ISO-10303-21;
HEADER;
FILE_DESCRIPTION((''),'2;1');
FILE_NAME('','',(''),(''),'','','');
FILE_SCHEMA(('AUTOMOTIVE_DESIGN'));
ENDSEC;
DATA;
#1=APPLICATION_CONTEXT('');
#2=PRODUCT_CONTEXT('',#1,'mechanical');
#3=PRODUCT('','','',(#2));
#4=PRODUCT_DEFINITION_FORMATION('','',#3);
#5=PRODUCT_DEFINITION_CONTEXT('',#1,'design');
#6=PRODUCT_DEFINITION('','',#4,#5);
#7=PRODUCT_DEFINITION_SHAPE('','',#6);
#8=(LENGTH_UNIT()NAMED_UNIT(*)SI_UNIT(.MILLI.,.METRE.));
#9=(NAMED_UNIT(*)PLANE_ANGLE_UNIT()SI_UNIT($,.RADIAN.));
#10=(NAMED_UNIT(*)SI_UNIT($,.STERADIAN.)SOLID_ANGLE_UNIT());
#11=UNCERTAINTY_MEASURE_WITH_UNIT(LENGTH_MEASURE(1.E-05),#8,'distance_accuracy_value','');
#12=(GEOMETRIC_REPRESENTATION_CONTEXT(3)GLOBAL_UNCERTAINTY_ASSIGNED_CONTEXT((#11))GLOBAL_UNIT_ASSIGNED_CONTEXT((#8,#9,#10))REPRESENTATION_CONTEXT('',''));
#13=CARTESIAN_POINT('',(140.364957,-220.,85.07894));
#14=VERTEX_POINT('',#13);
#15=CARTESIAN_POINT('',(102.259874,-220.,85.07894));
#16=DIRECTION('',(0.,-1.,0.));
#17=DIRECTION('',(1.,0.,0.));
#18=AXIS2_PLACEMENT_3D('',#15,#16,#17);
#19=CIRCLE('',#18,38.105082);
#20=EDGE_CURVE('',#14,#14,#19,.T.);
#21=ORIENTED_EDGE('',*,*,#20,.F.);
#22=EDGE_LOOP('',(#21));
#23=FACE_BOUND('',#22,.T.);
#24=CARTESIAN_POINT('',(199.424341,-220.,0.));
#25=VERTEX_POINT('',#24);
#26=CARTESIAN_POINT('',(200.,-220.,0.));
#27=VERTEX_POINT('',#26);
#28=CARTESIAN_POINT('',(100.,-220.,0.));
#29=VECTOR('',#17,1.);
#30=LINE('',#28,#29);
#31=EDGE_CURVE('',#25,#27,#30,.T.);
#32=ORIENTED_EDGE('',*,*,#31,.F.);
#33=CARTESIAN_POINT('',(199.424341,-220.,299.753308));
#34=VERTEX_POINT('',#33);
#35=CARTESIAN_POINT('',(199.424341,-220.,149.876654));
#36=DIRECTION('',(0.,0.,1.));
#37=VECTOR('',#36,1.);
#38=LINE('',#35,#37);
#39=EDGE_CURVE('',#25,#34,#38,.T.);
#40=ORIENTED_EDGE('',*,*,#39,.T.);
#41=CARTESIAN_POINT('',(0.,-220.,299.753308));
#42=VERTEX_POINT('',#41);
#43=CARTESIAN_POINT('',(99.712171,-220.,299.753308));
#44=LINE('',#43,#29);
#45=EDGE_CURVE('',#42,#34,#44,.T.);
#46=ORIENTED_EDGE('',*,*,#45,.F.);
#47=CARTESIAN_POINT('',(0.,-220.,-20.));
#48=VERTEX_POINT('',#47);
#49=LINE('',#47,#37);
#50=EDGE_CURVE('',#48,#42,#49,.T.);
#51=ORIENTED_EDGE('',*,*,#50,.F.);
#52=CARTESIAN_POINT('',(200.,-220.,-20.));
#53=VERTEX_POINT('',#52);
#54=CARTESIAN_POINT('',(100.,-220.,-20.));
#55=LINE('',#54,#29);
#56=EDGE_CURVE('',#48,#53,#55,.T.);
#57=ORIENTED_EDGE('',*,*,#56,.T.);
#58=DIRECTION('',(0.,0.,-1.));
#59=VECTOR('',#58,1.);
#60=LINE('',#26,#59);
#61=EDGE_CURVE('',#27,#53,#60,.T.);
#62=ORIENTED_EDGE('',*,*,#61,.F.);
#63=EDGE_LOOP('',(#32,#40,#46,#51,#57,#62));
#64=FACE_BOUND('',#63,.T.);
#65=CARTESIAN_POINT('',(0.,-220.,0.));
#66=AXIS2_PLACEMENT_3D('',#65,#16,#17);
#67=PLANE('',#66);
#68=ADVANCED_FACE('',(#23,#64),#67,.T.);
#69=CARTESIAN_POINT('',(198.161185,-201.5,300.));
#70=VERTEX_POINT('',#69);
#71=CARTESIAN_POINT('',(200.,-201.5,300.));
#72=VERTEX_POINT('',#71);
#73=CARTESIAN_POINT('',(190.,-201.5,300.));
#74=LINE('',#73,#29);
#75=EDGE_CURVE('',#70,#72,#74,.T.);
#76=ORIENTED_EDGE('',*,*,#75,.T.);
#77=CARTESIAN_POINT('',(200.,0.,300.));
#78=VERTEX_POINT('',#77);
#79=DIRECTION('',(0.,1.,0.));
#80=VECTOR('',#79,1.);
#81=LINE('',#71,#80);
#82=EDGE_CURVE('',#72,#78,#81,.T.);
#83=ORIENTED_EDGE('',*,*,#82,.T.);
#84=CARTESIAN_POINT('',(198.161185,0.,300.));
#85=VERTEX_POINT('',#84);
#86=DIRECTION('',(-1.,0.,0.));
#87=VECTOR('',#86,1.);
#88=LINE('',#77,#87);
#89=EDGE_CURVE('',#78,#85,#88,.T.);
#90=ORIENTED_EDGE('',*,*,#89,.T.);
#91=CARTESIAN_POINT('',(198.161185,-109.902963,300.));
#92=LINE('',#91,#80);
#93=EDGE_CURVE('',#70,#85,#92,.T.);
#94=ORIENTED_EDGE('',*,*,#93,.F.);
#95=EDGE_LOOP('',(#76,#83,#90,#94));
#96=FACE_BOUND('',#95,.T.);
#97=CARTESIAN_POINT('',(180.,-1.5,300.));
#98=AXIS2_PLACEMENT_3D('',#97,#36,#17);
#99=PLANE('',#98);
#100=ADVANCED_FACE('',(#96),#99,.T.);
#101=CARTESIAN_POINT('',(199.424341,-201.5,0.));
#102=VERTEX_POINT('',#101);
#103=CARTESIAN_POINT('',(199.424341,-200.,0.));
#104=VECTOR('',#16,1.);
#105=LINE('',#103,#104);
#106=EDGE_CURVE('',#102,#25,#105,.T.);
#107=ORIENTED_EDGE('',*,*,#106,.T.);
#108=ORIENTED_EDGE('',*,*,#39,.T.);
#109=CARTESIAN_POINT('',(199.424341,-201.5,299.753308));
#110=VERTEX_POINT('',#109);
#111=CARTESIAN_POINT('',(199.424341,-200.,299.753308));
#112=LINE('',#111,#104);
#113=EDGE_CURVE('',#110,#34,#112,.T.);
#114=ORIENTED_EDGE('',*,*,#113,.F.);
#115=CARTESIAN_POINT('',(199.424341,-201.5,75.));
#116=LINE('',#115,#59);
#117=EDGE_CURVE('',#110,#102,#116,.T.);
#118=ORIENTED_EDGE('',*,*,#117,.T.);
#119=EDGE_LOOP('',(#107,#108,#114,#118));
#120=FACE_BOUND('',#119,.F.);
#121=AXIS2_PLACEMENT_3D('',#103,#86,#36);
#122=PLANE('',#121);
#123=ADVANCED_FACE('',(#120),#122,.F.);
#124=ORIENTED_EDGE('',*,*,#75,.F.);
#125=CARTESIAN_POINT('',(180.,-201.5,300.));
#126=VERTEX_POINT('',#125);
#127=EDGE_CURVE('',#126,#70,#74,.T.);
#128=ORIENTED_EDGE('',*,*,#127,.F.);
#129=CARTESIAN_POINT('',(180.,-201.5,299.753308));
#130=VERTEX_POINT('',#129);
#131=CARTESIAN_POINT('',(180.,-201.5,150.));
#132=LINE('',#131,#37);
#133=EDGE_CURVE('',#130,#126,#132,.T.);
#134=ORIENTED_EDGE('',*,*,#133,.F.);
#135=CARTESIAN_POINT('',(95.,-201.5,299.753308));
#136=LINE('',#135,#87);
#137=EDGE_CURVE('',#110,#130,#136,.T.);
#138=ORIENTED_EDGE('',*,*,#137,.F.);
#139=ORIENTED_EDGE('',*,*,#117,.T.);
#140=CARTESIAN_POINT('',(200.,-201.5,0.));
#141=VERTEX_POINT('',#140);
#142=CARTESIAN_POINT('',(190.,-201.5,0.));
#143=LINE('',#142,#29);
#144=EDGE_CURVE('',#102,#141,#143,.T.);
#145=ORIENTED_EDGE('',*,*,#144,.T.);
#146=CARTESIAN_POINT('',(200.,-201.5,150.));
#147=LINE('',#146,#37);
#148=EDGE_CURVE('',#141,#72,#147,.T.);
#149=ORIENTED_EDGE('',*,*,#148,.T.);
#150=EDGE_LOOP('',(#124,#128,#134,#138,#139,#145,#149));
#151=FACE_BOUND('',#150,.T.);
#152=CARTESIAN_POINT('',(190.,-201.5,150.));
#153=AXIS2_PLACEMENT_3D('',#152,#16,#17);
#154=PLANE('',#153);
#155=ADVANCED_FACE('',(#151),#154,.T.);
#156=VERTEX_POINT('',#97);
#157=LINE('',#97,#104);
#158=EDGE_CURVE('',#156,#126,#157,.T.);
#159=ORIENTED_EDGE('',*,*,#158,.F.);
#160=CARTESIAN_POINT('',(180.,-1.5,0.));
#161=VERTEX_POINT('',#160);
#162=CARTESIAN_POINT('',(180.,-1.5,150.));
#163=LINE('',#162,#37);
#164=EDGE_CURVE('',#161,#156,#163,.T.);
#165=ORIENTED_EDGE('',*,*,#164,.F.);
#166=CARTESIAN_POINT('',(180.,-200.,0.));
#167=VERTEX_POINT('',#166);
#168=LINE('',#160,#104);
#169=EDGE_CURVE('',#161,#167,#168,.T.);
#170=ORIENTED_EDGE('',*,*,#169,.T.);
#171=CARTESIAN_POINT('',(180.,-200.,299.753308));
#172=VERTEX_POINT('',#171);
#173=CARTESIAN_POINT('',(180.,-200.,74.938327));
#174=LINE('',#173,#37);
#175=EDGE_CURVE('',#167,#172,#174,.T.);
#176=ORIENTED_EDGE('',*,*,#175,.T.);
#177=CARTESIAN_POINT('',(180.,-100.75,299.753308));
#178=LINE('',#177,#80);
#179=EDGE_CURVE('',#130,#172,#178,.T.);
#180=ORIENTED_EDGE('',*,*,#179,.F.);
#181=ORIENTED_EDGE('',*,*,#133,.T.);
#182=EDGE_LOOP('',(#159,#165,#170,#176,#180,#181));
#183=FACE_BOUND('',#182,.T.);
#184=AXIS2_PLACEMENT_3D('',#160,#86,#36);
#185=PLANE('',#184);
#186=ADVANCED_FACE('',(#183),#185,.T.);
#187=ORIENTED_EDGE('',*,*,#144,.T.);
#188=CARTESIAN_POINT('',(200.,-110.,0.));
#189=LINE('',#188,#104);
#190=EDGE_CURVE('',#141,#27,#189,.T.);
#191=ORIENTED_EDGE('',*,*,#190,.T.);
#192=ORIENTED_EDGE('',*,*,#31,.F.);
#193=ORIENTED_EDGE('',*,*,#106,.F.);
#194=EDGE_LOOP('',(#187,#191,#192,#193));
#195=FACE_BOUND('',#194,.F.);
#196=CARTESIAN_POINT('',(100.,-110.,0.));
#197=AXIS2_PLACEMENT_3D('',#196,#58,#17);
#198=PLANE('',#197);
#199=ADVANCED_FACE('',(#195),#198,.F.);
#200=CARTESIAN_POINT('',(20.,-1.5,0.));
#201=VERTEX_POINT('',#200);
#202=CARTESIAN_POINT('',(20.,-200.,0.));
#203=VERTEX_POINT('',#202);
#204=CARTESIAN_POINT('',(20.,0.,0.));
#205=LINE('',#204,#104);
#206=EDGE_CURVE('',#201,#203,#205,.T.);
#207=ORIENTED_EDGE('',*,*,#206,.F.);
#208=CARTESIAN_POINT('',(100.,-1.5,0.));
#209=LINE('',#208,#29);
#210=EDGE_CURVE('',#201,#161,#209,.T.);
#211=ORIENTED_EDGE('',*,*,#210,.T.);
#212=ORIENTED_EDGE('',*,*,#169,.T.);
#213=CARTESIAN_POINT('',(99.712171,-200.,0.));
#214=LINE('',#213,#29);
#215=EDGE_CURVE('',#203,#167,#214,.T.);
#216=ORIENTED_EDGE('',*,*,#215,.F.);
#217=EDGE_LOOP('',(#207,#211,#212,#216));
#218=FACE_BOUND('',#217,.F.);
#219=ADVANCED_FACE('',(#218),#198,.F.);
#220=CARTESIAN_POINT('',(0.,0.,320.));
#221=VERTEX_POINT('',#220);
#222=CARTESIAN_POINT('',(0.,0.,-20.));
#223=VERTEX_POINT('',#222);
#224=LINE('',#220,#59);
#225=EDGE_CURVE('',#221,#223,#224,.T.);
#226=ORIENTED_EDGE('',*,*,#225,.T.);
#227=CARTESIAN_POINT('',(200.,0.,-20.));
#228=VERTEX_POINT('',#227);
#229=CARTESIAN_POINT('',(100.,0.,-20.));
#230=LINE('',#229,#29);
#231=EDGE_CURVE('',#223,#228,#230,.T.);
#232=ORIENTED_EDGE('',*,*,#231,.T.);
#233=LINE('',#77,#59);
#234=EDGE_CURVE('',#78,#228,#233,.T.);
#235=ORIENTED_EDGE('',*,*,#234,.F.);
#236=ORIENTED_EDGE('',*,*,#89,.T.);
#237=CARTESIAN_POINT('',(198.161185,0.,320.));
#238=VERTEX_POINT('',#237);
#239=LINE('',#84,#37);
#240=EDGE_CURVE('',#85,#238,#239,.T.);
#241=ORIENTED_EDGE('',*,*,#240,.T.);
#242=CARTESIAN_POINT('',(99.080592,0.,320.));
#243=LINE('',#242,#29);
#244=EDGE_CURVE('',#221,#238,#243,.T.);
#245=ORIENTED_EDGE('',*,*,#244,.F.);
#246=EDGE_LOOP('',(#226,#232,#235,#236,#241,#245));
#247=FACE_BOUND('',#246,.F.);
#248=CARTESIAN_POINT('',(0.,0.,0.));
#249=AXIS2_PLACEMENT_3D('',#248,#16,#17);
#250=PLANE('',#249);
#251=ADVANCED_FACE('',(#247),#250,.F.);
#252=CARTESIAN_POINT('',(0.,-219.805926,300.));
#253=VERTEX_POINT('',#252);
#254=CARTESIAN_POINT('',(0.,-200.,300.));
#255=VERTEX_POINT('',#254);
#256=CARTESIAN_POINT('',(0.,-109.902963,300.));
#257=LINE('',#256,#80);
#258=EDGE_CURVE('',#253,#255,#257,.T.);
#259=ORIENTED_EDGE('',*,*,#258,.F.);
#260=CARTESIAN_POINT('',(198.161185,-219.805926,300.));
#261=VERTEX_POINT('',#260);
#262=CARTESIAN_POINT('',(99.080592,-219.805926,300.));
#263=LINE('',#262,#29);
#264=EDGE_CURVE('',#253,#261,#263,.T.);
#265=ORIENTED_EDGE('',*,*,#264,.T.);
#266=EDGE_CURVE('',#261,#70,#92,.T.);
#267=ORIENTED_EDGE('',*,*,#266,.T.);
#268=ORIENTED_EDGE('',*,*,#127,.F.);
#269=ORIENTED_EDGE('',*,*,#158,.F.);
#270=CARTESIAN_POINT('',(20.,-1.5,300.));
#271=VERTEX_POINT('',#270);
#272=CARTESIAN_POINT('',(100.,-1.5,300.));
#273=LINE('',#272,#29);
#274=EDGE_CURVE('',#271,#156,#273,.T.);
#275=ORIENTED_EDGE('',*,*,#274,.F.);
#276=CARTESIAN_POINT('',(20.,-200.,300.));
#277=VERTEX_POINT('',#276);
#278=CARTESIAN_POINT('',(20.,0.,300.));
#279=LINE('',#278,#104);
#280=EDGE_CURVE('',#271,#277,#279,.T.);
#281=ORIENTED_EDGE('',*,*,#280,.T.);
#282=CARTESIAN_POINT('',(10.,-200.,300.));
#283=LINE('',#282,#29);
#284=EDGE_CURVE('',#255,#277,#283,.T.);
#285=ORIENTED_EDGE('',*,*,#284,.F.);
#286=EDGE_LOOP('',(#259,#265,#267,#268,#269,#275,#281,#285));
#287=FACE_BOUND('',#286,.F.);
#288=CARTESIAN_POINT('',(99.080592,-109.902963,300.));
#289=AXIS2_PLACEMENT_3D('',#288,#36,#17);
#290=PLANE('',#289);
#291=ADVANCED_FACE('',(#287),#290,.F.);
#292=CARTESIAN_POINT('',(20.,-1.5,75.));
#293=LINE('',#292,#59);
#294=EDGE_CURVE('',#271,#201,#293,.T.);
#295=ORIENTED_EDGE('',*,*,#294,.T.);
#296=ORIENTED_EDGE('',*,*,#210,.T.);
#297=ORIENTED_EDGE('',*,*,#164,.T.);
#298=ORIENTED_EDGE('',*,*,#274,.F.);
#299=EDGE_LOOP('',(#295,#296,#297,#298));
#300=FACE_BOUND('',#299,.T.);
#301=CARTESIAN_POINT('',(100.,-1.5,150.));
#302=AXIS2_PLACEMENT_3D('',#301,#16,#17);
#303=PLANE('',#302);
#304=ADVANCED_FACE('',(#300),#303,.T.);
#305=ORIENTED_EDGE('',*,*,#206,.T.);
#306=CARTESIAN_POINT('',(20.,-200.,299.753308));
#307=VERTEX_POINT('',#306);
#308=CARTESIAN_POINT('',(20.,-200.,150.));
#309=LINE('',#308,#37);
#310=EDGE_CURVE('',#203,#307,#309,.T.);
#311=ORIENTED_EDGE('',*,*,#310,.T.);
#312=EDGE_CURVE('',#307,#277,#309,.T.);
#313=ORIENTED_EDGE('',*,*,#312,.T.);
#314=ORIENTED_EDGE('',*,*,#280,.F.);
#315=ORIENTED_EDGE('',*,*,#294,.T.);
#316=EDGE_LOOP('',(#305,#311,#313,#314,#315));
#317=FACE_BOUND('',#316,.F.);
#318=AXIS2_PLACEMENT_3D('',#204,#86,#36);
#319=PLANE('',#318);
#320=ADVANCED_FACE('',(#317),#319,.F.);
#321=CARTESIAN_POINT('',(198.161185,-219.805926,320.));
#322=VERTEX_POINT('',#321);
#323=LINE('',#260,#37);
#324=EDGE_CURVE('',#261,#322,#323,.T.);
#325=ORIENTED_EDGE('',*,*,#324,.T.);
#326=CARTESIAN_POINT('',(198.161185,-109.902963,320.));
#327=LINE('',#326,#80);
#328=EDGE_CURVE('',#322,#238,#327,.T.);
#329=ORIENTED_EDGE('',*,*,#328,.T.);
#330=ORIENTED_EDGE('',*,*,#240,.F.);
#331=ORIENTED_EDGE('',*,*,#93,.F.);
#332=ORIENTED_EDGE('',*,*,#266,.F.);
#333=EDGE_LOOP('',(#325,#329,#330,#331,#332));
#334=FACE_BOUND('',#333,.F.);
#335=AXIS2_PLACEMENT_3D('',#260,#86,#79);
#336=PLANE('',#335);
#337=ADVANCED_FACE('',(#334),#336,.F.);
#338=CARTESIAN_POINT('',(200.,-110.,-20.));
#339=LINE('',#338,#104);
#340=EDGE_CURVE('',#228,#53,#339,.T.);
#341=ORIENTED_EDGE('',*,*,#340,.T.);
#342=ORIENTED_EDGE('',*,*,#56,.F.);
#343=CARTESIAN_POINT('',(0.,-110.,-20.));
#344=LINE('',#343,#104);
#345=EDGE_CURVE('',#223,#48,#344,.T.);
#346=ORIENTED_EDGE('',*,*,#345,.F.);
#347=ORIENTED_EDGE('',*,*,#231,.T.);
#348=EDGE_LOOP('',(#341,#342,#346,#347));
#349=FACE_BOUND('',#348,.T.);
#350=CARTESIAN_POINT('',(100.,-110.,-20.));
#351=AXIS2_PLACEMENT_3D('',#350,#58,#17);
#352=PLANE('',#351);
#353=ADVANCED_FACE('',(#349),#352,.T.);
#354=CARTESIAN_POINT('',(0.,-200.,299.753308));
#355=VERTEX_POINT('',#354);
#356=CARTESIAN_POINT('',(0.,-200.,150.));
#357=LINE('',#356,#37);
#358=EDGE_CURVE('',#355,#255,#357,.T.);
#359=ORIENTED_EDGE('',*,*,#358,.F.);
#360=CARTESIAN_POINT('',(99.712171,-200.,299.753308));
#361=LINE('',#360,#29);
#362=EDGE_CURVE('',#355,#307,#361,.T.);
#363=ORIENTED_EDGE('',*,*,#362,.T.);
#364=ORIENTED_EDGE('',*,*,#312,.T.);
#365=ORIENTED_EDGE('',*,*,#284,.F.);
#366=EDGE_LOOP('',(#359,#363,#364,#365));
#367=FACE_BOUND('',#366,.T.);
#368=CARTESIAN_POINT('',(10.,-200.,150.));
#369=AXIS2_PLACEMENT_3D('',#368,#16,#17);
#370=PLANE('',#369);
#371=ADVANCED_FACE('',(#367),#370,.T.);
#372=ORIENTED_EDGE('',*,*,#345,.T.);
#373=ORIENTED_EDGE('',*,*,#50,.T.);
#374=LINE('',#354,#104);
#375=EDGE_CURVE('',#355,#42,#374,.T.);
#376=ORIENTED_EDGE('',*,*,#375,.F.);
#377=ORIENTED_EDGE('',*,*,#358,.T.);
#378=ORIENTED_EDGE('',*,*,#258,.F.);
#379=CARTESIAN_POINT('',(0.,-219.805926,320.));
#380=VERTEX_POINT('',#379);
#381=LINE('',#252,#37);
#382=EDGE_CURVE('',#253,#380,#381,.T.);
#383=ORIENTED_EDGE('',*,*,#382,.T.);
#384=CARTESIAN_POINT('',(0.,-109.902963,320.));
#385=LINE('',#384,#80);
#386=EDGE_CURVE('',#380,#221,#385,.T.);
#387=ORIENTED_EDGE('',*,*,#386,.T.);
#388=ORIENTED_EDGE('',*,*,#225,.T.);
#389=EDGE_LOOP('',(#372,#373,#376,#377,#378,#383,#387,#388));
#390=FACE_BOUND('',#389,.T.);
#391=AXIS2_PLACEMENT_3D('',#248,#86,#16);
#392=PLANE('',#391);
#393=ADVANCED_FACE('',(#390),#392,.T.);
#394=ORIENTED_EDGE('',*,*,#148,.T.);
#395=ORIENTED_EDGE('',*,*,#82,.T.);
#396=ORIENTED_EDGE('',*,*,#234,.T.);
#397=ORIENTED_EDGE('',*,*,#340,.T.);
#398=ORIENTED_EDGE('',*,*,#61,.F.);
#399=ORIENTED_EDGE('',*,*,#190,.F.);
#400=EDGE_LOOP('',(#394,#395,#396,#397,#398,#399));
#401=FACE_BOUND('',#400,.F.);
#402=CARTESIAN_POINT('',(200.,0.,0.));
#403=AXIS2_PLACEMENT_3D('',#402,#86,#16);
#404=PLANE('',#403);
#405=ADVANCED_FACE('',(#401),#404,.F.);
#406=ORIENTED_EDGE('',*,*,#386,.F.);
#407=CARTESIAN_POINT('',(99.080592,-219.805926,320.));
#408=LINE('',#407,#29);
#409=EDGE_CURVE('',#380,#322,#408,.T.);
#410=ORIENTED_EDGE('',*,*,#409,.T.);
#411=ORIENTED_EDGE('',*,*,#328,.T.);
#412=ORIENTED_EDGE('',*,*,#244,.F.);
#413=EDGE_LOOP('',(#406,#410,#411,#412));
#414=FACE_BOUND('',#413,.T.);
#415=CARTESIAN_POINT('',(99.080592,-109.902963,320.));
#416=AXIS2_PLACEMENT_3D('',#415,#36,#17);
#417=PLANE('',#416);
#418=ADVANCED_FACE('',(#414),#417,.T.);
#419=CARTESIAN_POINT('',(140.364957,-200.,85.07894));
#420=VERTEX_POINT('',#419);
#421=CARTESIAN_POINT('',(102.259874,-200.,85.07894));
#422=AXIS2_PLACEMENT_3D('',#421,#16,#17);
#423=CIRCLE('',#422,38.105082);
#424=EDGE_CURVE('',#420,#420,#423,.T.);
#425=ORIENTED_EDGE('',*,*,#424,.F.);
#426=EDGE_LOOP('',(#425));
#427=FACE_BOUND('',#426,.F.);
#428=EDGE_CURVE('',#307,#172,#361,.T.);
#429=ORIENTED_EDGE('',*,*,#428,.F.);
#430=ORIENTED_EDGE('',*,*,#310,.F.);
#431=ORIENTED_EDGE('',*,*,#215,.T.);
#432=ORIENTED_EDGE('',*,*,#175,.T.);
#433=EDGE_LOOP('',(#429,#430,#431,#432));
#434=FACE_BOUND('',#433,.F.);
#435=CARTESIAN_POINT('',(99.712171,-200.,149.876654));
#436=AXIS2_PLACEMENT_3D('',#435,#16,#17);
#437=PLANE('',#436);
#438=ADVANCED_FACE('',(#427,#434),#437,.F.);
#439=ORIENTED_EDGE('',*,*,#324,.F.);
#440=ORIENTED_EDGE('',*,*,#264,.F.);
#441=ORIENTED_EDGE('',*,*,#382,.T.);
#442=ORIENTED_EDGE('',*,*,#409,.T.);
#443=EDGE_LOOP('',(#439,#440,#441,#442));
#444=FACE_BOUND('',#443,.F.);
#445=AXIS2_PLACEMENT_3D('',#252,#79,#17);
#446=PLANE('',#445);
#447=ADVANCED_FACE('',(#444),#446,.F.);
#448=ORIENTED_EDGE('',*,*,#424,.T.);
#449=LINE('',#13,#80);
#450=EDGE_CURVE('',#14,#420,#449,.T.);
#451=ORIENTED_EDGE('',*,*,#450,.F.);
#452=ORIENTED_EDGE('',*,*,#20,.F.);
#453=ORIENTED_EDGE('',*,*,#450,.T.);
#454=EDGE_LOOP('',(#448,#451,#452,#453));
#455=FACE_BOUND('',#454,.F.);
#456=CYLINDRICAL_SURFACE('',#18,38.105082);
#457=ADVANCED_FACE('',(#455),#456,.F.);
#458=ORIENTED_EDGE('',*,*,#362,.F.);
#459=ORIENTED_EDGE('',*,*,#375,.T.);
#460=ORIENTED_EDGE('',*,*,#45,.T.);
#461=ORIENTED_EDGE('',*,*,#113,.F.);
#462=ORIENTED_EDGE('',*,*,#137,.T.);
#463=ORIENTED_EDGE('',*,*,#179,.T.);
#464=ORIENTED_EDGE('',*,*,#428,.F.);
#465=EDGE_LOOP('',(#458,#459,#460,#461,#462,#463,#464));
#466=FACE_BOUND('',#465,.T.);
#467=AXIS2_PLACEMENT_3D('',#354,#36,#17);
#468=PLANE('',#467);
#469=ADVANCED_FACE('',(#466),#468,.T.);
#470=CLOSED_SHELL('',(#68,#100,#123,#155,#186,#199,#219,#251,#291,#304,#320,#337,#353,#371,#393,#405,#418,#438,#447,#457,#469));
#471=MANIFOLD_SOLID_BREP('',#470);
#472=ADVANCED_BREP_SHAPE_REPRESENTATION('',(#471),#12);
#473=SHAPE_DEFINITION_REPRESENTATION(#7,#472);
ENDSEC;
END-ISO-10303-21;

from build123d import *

# Parameters (mm, degrees)
F0_W      = 200
F0_H      = 300
F1_DEPTH  = 1.5
F2_W      = 20
F2_H      = 300
F3_DEPTH  = 200
F4_W      = 20
F4_H      = 300
F5_DEPTH  = 200
F6_W      = 199.424341321
F6_H      = 299.7533082962
F7_DEPTH  = 20
F9_W      = 198.1611847878
F9_H      = 219.8059260845
F10_DEPTH = 20
F11_W     = 200
F11_H     = 220
F12_DEPTH = 20
F13_R     = 38.1050822629
F14_DEPTH = 20


with BuildPart() as f1:
    # F0 (on Front) → F1 (new body)
    with BuildSketch(Plane.XZ):
        with Locations((100, 150)):
            Rectangle(F0_W, F0_H)
    extrude(amount=F1_DEPTH)

    # F2 (on Front) → F3 (join)
    with BuildSketch(Plane.XZ):
        with Locations((10, 150)):
            Rectangle(F2_W, F2_H)
    extrude(amount=F3_DEPTH)

    # F4 (on face) → F5 (join)
    with BuildSketch(Plane.XZ.offset(1.5)):
        with Locations((190, 150)):
            Rectangle(F4_W, F4_H)
    extrude(amount=F5_DEPTH)

    # F6 (on face) → F7 (join)
    with BuildSketch(Plane.XZ.offset(200)):
        with Locations((99.7121706605, 149.8766541481)):
            Rectangle(F6_W, F6_H)
    extrude(amount=F7_DEPTH)

    # F9 (on face) → F10 (join)
    with BuildSketch(Plane.XY.offset(300)):
        with Locations((99.0805923939, -109.9029630423)):
            Rectangle(F9_W, F9_H)
    extrude(amount=F10_DEPTH)

    # F11 (on face) → F12 (join)
    with BuildSketch(Plane(origin=(0, 0, 0), x_dir=(1, 0, 0), z_dir=(0, 0, -1))):
        with Locations((100, 110)):
            Rectangle(F11_W, F11_H)
    extrude(amount=F12_DEPTH)

    # F13 (on face) → F14 (cut)
    with BuildSketch(Plane.XZ.offset(220)):
        with Locations((102.2598743439, 85.0789397955)):
            Circle(F13_R)
    extrude(amount=-F14_DEPTH, mode=Mode.SUBTRACT)


solid = f1.part
